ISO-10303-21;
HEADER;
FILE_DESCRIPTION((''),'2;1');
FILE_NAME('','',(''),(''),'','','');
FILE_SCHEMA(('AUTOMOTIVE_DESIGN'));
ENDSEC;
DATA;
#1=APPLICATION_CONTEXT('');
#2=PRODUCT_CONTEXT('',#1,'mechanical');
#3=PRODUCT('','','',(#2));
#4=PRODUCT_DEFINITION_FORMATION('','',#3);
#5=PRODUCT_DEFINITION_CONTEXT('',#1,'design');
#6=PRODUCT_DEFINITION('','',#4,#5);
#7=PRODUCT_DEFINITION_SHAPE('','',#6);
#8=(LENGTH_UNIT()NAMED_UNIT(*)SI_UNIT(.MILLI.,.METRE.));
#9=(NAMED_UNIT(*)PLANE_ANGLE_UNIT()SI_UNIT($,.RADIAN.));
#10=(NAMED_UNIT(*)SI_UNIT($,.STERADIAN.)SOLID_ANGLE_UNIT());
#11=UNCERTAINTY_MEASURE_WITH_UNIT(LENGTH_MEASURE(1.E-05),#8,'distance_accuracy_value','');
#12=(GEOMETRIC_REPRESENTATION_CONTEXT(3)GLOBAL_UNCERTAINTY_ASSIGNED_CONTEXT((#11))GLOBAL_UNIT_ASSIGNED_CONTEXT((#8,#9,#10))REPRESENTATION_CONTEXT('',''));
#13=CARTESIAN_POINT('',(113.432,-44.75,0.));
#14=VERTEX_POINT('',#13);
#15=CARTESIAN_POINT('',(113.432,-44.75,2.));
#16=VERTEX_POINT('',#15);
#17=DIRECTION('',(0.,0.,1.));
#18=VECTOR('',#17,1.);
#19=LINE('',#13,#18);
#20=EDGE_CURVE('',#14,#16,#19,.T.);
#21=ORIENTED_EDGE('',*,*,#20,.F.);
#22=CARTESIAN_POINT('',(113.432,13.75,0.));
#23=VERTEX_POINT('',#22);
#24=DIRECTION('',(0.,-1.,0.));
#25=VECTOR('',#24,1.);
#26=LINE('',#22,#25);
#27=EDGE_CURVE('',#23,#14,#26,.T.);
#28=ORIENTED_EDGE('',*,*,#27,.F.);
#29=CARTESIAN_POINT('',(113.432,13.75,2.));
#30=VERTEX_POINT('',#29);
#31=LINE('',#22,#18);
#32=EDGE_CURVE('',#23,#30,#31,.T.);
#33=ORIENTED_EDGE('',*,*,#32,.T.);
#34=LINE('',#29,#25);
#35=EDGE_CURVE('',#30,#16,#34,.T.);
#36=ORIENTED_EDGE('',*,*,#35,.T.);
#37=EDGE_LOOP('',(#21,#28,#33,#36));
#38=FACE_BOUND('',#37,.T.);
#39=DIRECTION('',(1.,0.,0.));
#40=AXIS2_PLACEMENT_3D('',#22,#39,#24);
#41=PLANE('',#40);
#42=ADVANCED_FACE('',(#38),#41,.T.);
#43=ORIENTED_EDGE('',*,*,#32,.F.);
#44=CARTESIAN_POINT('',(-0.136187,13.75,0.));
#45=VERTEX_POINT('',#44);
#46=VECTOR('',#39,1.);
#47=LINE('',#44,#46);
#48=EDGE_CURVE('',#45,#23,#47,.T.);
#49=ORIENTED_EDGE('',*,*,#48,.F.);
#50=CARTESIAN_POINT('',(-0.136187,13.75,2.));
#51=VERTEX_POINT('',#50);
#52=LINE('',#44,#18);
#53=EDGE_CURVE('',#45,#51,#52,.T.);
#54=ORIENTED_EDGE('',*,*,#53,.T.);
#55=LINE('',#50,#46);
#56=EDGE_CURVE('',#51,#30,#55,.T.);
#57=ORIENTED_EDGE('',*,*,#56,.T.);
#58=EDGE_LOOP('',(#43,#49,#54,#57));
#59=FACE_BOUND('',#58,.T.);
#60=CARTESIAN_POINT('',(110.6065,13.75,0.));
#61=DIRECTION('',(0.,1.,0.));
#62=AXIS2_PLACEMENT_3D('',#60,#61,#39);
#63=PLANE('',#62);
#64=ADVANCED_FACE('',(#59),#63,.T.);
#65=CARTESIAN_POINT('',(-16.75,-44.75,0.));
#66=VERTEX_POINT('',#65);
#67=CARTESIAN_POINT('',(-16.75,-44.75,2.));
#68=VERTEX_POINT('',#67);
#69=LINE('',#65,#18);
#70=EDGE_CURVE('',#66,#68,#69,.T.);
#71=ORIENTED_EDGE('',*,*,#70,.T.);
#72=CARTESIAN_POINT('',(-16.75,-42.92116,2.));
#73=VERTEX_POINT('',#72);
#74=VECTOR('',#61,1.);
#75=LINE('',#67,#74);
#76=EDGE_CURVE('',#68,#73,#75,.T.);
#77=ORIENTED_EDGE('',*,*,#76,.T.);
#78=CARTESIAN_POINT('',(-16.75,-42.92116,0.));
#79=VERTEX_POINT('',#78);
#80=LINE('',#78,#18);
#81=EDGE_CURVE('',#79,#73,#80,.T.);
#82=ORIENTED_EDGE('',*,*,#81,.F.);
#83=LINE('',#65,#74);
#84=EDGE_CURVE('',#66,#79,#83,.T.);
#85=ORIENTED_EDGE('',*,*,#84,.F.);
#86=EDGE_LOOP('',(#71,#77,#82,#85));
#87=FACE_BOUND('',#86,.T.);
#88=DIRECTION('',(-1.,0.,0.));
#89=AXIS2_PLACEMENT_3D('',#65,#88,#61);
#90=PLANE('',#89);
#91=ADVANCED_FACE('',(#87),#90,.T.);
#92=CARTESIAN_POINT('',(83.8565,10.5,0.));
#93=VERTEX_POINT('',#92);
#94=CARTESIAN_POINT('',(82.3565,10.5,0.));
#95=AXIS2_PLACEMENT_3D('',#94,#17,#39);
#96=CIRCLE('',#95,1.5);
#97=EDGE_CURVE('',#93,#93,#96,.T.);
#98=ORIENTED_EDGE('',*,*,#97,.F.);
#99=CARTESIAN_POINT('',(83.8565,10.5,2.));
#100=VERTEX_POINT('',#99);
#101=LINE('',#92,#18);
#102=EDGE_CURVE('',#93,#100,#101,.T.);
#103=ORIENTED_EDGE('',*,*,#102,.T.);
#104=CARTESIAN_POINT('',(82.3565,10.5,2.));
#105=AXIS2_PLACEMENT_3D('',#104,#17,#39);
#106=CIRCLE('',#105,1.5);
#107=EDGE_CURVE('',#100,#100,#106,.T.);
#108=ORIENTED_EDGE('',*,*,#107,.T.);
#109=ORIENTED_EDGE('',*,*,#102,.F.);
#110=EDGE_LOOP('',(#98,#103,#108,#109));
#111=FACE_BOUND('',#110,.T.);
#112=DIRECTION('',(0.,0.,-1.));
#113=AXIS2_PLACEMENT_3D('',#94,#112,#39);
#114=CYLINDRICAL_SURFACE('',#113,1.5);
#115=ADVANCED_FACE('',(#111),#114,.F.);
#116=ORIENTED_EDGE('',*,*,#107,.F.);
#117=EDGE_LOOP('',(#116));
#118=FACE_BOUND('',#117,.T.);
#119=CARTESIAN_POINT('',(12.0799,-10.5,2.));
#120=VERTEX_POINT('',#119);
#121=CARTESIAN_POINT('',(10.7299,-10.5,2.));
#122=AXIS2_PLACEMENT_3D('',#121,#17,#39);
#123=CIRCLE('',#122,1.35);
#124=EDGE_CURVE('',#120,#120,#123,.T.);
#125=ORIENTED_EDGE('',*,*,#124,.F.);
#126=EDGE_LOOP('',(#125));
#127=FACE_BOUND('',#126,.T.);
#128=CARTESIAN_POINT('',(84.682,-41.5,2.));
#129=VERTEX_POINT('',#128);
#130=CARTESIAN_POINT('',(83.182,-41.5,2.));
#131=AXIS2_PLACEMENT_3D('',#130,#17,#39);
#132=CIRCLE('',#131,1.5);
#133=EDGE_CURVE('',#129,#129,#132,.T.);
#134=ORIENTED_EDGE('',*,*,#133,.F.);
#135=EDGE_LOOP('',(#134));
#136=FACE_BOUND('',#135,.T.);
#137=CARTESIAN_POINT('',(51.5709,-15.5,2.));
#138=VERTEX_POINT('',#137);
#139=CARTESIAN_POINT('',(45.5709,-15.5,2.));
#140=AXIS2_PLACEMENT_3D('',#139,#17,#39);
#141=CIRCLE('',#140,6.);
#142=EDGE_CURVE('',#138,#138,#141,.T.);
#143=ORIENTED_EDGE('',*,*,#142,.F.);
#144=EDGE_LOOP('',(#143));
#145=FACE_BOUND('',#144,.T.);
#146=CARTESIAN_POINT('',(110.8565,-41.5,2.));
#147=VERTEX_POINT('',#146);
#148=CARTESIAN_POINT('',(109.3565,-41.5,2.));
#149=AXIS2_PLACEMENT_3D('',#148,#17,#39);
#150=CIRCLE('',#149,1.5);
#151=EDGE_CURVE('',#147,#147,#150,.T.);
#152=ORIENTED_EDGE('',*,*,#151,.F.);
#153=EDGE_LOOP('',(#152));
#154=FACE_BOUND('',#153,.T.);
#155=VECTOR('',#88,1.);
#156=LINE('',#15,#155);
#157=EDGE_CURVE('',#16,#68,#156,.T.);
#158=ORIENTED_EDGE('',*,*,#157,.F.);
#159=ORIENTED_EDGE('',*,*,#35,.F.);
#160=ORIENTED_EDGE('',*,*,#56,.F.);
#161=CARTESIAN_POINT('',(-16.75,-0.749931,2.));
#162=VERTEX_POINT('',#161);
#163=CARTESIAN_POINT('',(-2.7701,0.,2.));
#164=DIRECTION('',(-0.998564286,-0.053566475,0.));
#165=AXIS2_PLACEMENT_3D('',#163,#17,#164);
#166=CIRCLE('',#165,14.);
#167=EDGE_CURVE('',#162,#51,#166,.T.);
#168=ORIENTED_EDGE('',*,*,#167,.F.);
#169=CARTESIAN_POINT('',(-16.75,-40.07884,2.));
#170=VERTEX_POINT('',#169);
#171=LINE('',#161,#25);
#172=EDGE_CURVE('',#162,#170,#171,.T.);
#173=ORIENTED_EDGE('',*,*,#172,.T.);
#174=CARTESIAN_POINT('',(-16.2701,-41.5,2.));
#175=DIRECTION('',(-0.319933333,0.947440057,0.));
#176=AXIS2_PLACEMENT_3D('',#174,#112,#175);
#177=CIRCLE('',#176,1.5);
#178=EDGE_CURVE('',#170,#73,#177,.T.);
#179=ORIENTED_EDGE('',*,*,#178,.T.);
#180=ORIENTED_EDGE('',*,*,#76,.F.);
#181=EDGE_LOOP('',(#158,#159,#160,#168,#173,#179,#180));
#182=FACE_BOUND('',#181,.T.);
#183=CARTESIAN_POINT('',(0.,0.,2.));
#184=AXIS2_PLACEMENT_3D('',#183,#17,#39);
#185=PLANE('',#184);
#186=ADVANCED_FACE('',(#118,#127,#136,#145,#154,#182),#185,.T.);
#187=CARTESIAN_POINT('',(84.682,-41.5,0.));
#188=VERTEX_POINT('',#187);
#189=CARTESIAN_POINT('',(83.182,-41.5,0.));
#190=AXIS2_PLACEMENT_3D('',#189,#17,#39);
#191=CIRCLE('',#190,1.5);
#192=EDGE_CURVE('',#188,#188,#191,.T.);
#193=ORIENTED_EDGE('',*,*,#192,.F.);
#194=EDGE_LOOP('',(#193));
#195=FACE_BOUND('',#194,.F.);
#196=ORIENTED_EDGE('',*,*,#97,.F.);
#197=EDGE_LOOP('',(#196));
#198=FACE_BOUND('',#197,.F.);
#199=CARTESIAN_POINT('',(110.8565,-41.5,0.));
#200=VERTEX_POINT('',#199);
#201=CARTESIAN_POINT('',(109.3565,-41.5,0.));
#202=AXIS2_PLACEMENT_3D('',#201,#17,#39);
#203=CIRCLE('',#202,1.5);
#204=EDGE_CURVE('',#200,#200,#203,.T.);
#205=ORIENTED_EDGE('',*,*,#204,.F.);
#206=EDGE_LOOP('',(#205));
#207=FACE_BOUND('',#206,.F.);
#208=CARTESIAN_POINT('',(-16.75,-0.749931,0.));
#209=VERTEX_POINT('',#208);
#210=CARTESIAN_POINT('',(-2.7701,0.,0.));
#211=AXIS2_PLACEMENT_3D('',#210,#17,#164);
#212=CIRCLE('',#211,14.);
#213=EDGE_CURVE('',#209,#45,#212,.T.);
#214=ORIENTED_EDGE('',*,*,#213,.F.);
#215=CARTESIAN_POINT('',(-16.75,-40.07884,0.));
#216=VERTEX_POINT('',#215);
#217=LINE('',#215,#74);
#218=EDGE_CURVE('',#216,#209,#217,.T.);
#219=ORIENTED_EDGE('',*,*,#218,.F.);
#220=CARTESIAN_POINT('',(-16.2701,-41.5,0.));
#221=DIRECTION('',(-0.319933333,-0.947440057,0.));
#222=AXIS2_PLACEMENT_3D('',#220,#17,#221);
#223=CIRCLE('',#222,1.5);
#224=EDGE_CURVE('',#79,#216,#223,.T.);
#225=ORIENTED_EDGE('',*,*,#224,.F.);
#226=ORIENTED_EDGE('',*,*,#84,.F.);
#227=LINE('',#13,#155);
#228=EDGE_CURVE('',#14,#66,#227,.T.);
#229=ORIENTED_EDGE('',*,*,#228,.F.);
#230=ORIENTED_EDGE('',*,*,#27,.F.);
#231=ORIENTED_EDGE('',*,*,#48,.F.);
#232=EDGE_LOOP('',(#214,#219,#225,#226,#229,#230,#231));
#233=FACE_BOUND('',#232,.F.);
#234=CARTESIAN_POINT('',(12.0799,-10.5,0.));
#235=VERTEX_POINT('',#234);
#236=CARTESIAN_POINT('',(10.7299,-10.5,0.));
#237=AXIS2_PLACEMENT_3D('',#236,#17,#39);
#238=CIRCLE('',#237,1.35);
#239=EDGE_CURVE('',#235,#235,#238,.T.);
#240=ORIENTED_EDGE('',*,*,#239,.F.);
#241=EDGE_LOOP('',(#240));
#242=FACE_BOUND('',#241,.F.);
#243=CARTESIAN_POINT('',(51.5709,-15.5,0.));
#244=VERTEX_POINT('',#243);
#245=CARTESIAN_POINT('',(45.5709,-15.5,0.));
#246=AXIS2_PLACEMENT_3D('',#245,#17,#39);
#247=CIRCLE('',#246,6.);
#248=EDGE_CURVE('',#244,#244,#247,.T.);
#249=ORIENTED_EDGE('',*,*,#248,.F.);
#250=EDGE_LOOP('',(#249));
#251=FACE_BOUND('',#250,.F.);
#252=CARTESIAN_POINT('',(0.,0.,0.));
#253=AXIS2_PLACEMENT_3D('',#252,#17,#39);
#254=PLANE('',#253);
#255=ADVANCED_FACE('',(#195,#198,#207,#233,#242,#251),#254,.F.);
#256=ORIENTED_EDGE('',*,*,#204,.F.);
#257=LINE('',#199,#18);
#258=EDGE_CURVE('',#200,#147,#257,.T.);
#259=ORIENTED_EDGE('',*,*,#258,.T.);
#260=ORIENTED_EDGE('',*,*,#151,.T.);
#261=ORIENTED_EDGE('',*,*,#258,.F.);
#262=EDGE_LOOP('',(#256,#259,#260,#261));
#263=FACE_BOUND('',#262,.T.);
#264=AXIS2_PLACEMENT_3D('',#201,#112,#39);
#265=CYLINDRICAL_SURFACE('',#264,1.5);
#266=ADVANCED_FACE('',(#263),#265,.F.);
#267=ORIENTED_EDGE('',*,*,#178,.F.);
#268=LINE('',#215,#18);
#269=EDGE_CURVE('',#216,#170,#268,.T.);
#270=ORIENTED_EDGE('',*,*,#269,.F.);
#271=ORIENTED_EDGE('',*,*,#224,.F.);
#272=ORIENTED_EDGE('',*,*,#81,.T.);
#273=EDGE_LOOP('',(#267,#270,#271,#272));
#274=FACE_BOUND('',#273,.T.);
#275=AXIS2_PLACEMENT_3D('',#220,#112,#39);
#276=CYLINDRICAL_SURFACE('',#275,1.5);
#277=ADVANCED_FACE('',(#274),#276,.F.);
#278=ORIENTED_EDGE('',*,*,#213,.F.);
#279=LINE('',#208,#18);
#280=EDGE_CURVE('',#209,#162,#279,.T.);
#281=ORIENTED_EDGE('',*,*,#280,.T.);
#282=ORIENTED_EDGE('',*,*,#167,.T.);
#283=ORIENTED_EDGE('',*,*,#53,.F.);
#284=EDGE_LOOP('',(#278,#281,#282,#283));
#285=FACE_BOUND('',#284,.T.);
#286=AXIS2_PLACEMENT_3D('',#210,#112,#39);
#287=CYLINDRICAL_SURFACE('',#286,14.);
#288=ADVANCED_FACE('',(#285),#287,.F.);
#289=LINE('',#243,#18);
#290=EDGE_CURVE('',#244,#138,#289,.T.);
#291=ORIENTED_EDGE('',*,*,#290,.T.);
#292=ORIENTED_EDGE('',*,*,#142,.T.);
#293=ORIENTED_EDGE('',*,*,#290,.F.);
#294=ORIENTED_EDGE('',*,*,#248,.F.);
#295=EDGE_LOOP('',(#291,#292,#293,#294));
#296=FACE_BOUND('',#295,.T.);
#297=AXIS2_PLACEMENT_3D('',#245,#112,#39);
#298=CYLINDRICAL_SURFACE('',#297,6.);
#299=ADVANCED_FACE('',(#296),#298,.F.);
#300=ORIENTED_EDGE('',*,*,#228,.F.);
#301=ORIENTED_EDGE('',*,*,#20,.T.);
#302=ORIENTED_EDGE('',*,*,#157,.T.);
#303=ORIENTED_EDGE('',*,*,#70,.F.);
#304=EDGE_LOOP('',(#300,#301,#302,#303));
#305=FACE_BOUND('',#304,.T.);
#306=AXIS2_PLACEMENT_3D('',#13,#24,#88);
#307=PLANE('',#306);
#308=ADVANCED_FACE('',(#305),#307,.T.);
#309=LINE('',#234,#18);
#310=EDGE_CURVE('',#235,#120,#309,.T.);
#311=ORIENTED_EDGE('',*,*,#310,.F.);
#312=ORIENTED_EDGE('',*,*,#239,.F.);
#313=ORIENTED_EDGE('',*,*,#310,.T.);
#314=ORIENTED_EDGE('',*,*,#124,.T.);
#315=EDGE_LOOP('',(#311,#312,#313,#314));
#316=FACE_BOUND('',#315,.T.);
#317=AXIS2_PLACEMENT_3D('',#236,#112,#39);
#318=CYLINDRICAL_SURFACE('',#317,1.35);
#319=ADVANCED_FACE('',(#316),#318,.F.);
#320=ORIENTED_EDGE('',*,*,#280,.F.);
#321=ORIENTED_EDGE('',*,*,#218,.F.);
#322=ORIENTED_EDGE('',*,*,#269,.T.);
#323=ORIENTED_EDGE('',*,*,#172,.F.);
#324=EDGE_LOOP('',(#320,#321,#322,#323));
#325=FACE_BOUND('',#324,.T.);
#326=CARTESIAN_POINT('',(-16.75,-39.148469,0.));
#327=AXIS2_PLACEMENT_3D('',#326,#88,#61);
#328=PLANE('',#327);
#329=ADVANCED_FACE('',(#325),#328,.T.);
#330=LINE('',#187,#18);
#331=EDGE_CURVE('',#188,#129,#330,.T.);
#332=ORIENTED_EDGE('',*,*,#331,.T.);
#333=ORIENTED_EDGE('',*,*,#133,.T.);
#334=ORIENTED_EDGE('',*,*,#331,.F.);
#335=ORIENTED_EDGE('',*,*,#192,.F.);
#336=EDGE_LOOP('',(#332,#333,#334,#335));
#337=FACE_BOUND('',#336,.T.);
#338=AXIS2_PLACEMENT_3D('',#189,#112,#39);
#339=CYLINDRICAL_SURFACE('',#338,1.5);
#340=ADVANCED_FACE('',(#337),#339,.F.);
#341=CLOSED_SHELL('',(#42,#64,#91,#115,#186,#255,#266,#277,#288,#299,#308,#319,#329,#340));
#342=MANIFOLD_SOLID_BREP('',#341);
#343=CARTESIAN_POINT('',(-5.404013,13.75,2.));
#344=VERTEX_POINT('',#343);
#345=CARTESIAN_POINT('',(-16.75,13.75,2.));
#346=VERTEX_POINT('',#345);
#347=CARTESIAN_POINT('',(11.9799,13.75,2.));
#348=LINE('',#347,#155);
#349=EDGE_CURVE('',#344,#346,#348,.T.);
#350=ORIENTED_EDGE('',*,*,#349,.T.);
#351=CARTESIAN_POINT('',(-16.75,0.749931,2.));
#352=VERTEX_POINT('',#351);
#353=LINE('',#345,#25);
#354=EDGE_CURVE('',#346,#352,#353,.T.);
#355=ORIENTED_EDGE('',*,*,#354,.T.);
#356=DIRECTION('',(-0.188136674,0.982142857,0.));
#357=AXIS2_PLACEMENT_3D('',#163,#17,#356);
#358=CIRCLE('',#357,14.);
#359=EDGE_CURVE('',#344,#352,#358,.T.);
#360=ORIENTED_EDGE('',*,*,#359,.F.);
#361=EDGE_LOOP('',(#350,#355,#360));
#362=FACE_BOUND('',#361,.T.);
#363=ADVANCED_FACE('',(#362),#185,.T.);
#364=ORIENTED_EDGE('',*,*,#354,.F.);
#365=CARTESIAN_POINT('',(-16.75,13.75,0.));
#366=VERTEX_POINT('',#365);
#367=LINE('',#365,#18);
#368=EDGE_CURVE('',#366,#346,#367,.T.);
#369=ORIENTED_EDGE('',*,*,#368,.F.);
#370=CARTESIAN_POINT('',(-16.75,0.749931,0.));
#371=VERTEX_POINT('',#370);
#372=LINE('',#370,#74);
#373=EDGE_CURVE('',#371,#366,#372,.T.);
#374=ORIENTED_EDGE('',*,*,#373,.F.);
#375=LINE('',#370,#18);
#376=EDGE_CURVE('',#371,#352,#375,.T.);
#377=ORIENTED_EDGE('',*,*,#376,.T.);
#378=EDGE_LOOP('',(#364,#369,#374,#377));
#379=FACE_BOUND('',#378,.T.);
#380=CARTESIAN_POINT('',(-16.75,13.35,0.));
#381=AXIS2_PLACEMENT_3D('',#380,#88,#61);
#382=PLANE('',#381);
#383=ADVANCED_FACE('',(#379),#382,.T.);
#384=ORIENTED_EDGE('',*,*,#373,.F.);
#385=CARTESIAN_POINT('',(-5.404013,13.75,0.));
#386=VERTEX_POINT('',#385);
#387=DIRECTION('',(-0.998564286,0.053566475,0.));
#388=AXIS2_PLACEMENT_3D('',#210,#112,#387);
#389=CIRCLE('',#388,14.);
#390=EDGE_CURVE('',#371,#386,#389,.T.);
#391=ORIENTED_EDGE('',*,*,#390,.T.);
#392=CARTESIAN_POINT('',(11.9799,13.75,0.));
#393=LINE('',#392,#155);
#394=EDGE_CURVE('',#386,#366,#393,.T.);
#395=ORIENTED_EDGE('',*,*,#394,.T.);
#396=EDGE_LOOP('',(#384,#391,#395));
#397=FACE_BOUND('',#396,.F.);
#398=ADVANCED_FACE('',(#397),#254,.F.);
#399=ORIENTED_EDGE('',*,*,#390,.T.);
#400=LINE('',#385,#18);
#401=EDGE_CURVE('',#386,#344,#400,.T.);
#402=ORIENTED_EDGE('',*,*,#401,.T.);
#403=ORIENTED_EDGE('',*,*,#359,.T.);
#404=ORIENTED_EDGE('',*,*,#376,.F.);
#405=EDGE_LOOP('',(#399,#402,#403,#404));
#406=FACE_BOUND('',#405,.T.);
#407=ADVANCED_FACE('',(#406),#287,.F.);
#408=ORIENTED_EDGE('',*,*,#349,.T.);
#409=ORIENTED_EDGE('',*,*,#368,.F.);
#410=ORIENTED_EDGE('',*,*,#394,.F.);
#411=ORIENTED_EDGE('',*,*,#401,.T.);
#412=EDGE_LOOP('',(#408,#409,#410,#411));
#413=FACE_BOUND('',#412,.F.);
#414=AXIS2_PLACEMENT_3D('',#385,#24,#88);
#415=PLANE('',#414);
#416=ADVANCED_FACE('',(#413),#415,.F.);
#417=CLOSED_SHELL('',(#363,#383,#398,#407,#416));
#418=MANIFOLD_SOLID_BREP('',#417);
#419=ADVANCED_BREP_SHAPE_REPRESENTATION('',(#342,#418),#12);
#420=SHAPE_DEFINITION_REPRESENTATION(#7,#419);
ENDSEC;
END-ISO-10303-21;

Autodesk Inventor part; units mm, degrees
ref_plane "YZ Plane" through (0, 0, 0) normal (1, 0, 0) x (0, 1, 0)
ref_plane "XZ Plane" through (0, 0, 0) normal (0, 1, 0) x (-1, 0, 0)
ref_plane "XY Plane" through (0, 0, 0) normal (0, 0, 1) x (1, 0, 0)
sketch "スケッチ1" plane through (0, 0, 0) normal (0, 0, 1) x (1, 0, 0)
  line L0 (84.1565, -23.7) -> (79.5065, -23.7) projected
  line L1 (79.5065, -23.7) -> (79.5065, -42.5843) projected
  line L2 (79.5065, -42.5843) -> (81.2722, -44.35) projected
  line L3 (81.2722, -44.35) -> (110.4408, -44.35) projected
  line L4 (110.4408, -44.35) -> (112.2065, -42.5843) projected
  line L5 (112.2065, -42.5843) -> (112.2065, -23.7) projected
  line L6 (112.2065, -23.7) -> (107.5565, -23.7) projected
  arc A0 (107.0565, -23.2) -> (107.5565, -23.7) centre (107.5565, -23.2) ccw projected
  line L7 (107.0565, -23.2) -> (107.0565, -21.9243) projected
  arc A1 (107.0565, -21.9243) -> (107.0272, -21.8536) centre (106.9565, -21.9243) ccw projected
  line L8 (107.0272, -21.8536) -> (103.903, -18.7293) projected
  arc A2 (103.903, -18.7293) -> (103.8323, -18.7) centre (103.8323, -18.8) ccw projected
  line L9 (103.8323, -18.7) -> (87.8808, -18.7) projected
  arc A3 (87.8808, -18.7) -> (87.8101, -18.7293) centre (87.8808, -18.8) ccw projected
  line L10 (87.8101, -18.7293) -> (84.6858, -21.8536) projected
  arc A4 (84.6858, -21.8536) -> (84.6565, -21.9243) centre (84.7565, -21.9243) ccw projected
  line L11 (84.6565, -21.9243) -> (84.6565, -23.2) projected
  arc A5 (84.1565, -23.7) -> (84.6565, -23.2) centre (84.1565, -23.2) ccw projected
  circle A6 centre (109.3565, -41.5) radius 2.4 projected
  circle A7 centre (82.3565, -41.5) radius 2.4 projected
  line L12 (112.6065, -10.3) -> (112.6065, 11.75) projected
  line L13 (112.6065, -42.75) -> (112.6065, -23.5) projected
  line L14 (110.6065, 13.75) -> (99.8565, 13.75) projected
  line L15 (81.1065, -44.75) -> (110.6065, -44.75) projected
  circle A8 centre (45.5709, -15.5) radius 5 projected
  line L16 (11.9799, 13.75) -> (-17.5201, 13.75) projected
  line L17 (11.8143, 13.35) -> (-17.3544, 13.35) projected
  line L18 (-17.3544, 13.35) -> (-19.1201, 11.5843) projected
  line L19 (-19.1201, 11.5843) -> (-19.1201, -42.5843) projected
  line L20 (-19.1201, -42.5843) -> (-17.3544, -44.35) projected
  line L21 (-17.3544, -44.35) -> (11.8143, -44.35) projected
  line L22 (11.8143, -44.35) -> (13.5799, -42.5843) projected
  line L23 (13.5799, -42.5843) -> (13.5799, 11.5843) projected
  line L24 (13.5799, 11.5843) -> (11.8143, 13.35) projected
  circle A9 centre (-16.2701, 10.5) radius 2.4 projected
  circle A10 centre (10.7299, -41.5) radius 2.4 projected
  circle A11 centre (-16.2701, -41.5) radius 2.4 projected
  circle A12 centre (10.7299, -10.5) radius 1.35 projected
  circle A13 centre (-16.2701, -10.5) radius 1.35 projected
  circle A14 centre (10.7299, 10.5) radius 2.4 projected
  circle A15 centre (-2.7701, 0) radius 13 projected
  circle A16 centre (10.7299, -41.5) radius 1.3 projected
  circle A17 centre (10.7299, 10.5) radius 1.3 projected
  circle A18 centre (-16.2701, 10.5) radius 1.3 projected
  circle A19 centre (-16.2701, -41.5) radius 1.3 projected
  line L25 (-17.5201, -44.75) -> (11.9799, -44.75) projected
  line L26 (-19.5201, 11.75) -> (-19.5201, -42.75) projected
  circle A20 centre (109.3565, 10.5) radius 2.4 projected
  circle A21 centre (109.3565, 10.5) radius 1.3 projected
  circle A22 centre (109.3565, -41.5) radius 1.3 projected
  circle A23 centre (82.3565, -41.5) radius 1.3 projected
  circle A24 centre (82.3565, 10.5) radius 1.3 projected
  circle A25 centre (82.3565, 10.5) radius 2.4 projected
  line L27 (79.1065, 11.75) -> (79.1065, -10.3) projected
  line L28 (-16.75, 13.75) -> (113.432, 13.75)
  line L29 (113.432, 13.75) -> (113.432, -44.75)
  line L30 (113.432, -44.75) -> (-16.75, -44.75)
  line L31 (-16.75, -44.75) -> (-16.75, 13.75)
  circle A26 centre (-2.7701, 0) radius 14
  circle A27 centre (10.7299, 10.5) radius 1.5
  circle A28 centre (-16.2701, 10.5) radius 1.5
  circle A29 centre (10.7299, -41.5) radius 1.5
  circle A30 centre (-16.2701, -41.5) radius 1.5
  circle A31 centre (109.3565, 10.5) radius 1.5
  circle A32 centre (82.3565, 10.5) radius 1.5
  circle A33 centre (109.3565, -41.5) radius 1.5
  circle A34 centre (83.182, -41.5) radius 1.5
  circle A35 centre (45.5709, -15.5) radius 6
  point P0 (0, 0)
  point P1 (-5.404, 13.75)
  point P2 (-16.75, 13.75)
  point P3 (-16.75, 11.75)
  point P4 (-16.75, 0.16)
  point P5 (-16.75, -44.75)
  point P6 (113.432, -42.75)
  point P7 (113.432, -23.5)
  point P8 (113.432, -32.66)
  point P9 (113.432, 11.75)
  point P10 (-0.1361, 13.75)
  point P11 (-0.1361, 13.75)
  point P12 (-5.404, 13.75)
  point P13 (-9.4326, 13.75)
  dimension "d0" = 28
  dimension "d1" = 3
  dimension "d2" = 3
  dimension "d3" = 3
  dimension "d4" = 3
  dimension "d5" = 3
  dimension "d6" = 3
  dimension "d7" = 3
  dimension "d8" = 3
  dimension "d9" = 12
extrude "押し出し1" add sketch "スケッチ1" along normal blind 2 contours A5 L11 A4 L10 A3 L9 A2 L8 A1 L7 A0 L6 L5 L4 L3 L2 L1 L0 | A6 | A7 | L28 L29 L30 L15 L25 L31 L21 L22 L23 L24 L17 A26 L16 L14 | A26 L17 L31 L16 | L17 L24 L23 L22 L21 L31 A11 A13 A26 | A26 L31 A9 L17 | A9 L31 A28 | A13 L31 | A28 L31 A18 | L31 A30 A11 | A18 L31 | A10 | A14 | A16 | A17 | A20 | A21 | A34 A23 | A25 | A27 | A29 | A31 picked at (-14.1896, 10.3242) picked at (-15.7377, -10.5576) picked at (-14.8507, 10.3826) picked at (-14.1896, -41.6758) picked at (-15.9577, 10.2068) picked at (81.4802, -41.5)
